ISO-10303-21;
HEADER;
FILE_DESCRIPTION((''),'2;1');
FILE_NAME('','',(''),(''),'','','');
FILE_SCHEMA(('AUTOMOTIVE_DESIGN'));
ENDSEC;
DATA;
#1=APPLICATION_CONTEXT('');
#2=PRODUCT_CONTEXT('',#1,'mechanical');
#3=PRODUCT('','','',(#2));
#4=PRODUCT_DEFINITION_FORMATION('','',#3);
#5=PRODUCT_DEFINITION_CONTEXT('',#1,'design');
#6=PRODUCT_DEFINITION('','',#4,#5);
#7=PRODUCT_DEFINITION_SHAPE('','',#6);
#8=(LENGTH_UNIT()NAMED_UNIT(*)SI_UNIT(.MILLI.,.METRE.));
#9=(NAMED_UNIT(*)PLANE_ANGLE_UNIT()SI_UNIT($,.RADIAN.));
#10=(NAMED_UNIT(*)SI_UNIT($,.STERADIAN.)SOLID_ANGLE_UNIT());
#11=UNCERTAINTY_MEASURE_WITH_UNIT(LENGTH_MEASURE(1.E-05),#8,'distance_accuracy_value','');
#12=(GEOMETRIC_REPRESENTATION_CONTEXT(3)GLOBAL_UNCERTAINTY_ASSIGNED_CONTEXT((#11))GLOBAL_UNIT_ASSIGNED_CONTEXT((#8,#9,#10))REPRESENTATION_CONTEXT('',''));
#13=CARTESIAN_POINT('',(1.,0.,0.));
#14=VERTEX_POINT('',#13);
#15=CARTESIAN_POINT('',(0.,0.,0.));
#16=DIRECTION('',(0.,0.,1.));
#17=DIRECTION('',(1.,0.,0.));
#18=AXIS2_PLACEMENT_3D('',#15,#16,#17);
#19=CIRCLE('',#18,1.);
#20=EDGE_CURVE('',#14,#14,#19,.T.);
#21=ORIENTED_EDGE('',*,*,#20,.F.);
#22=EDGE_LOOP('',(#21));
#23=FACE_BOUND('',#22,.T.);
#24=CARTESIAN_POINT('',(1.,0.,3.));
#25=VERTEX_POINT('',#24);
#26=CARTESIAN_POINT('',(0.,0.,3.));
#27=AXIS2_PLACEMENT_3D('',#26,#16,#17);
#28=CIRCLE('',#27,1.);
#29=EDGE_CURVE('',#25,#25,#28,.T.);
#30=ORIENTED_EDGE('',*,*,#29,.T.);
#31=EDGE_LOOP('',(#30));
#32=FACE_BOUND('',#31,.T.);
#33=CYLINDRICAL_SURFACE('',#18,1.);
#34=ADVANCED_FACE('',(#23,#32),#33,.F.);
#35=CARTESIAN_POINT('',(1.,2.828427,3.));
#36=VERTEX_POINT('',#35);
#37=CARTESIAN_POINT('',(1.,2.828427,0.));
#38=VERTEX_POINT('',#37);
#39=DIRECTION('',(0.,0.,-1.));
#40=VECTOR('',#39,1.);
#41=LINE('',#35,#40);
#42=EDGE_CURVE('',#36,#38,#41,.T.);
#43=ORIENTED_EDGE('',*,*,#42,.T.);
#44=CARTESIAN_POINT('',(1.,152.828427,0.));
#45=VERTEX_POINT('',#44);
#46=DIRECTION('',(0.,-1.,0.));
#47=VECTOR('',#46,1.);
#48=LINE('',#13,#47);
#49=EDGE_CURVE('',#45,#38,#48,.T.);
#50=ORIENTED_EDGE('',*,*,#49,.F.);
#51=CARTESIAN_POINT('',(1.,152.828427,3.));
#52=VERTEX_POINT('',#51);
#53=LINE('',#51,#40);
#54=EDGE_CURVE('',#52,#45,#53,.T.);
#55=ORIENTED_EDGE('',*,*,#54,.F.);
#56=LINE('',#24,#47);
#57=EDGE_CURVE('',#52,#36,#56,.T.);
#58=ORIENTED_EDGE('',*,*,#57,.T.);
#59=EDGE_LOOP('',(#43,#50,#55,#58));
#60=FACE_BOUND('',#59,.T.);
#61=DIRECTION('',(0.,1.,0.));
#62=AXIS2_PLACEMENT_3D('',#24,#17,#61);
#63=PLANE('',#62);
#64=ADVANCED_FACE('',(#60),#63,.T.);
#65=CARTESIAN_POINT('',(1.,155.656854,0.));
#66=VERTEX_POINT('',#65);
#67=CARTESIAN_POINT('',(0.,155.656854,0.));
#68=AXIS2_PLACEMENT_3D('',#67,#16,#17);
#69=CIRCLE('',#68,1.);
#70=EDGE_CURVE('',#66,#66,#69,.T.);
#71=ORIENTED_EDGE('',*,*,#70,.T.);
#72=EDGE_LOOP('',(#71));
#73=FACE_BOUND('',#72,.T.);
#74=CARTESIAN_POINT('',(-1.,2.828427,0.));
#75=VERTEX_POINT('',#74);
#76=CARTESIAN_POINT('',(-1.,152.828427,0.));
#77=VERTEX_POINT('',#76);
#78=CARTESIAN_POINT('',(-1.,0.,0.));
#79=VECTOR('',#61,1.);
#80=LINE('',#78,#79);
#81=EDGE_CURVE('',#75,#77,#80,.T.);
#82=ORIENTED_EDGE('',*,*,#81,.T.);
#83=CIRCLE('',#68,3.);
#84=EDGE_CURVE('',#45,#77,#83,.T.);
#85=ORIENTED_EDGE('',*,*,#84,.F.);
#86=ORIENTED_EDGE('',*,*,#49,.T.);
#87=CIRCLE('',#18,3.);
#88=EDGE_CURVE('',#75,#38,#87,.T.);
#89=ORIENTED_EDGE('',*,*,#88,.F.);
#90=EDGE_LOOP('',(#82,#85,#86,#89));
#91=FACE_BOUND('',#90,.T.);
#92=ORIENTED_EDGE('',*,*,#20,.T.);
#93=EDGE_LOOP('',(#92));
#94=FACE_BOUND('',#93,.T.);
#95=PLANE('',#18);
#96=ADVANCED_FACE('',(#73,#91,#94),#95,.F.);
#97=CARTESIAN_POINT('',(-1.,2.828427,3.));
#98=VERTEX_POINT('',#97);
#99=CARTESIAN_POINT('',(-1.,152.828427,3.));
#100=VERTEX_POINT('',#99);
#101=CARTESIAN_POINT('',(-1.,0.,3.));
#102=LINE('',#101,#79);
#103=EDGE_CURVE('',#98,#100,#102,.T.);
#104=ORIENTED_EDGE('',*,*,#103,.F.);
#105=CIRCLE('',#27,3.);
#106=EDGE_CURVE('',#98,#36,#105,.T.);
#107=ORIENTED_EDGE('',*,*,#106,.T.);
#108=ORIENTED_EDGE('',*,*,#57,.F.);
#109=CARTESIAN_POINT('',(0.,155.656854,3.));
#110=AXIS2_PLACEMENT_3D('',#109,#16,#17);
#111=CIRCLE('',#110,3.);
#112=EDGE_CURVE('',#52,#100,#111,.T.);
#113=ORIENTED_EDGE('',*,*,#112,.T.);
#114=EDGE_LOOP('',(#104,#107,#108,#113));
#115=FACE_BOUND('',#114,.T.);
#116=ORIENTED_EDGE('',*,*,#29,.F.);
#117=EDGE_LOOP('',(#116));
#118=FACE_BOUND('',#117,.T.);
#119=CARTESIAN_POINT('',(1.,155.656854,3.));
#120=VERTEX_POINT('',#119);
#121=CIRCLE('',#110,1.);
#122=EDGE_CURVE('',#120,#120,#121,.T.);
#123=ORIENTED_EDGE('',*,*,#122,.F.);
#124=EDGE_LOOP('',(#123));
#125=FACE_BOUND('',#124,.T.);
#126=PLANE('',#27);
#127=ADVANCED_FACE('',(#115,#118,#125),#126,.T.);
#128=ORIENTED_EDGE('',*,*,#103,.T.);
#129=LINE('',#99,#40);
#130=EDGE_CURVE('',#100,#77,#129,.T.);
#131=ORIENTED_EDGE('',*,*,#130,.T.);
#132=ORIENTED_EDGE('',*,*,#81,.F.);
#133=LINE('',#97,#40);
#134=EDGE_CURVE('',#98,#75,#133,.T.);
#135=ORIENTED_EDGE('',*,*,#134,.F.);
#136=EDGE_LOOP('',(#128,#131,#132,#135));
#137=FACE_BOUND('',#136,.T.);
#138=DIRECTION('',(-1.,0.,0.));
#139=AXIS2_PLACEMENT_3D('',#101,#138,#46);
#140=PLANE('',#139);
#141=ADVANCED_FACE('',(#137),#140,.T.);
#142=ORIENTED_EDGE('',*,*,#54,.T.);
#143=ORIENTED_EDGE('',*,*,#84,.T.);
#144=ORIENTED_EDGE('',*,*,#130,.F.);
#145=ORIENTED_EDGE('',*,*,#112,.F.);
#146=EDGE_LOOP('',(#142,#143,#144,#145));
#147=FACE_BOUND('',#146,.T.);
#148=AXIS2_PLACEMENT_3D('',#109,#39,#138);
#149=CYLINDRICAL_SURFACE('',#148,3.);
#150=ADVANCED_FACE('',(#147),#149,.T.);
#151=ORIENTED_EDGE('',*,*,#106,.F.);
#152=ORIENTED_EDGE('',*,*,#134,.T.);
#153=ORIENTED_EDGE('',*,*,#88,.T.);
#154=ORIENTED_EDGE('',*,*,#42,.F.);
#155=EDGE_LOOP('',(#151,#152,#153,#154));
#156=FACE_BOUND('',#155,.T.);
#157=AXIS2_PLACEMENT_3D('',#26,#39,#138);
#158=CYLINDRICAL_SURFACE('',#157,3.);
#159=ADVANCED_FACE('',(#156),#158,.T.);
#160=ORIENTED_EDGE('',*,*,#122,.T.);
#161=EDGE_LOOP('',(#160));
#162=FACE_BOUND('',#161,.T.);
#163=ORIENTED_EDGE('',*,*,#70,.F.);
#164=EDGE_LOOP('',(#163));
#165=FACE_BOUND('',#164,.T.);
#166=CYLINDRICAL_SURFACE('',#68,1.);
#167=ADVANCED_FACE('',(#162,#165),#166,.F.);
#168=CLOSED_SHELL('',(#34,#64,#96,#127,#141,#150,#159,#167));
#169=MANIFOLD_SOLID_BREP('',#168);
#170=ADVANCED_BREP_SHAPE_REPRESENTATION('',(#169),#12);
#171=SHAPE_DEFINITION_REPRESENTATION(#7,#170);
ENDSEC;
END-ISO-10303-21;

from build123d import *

# Parameters (mm, degrees)
EXTRUDE_3_DEPTH     = 3
SKETCH_3_R          = 1
CUT_EXTRUDE_1_DEPTH = 3


with BuildPart() as part:
    # 草图1 → 凸台-拉伸3 (new body)
    with BuildSketch(Plane.XY):
        with BuildLine():
            Line((1, 2.828427125), (1, 152.828427125))
            ThreePointArc((1, 152.828427125), (0, 158.656854249), (-1, 152.828427125))
            Line((-1, 152.828427125), (-1, 2.828427125))
            ThreePointArc((-1, 2.828427125), (0, -3), (1, 2.828427125))
        make_face()
    extrude(amount=EXTRUDE_3_DEPTH)

    # 草图3 → 切除-拉伸1 (cut)
    with BuildSketch(Plane.XY.offset(3)):
        Circle(SKETCH_3_R)
        with Locations((0, 155.656854249)):
            Circle(SKETCH_3_R)
    extrude(amount=-CUT_EXTRUDE_1_DEPTH, mode=Mode.SUBTRACT)


solid = part.part
